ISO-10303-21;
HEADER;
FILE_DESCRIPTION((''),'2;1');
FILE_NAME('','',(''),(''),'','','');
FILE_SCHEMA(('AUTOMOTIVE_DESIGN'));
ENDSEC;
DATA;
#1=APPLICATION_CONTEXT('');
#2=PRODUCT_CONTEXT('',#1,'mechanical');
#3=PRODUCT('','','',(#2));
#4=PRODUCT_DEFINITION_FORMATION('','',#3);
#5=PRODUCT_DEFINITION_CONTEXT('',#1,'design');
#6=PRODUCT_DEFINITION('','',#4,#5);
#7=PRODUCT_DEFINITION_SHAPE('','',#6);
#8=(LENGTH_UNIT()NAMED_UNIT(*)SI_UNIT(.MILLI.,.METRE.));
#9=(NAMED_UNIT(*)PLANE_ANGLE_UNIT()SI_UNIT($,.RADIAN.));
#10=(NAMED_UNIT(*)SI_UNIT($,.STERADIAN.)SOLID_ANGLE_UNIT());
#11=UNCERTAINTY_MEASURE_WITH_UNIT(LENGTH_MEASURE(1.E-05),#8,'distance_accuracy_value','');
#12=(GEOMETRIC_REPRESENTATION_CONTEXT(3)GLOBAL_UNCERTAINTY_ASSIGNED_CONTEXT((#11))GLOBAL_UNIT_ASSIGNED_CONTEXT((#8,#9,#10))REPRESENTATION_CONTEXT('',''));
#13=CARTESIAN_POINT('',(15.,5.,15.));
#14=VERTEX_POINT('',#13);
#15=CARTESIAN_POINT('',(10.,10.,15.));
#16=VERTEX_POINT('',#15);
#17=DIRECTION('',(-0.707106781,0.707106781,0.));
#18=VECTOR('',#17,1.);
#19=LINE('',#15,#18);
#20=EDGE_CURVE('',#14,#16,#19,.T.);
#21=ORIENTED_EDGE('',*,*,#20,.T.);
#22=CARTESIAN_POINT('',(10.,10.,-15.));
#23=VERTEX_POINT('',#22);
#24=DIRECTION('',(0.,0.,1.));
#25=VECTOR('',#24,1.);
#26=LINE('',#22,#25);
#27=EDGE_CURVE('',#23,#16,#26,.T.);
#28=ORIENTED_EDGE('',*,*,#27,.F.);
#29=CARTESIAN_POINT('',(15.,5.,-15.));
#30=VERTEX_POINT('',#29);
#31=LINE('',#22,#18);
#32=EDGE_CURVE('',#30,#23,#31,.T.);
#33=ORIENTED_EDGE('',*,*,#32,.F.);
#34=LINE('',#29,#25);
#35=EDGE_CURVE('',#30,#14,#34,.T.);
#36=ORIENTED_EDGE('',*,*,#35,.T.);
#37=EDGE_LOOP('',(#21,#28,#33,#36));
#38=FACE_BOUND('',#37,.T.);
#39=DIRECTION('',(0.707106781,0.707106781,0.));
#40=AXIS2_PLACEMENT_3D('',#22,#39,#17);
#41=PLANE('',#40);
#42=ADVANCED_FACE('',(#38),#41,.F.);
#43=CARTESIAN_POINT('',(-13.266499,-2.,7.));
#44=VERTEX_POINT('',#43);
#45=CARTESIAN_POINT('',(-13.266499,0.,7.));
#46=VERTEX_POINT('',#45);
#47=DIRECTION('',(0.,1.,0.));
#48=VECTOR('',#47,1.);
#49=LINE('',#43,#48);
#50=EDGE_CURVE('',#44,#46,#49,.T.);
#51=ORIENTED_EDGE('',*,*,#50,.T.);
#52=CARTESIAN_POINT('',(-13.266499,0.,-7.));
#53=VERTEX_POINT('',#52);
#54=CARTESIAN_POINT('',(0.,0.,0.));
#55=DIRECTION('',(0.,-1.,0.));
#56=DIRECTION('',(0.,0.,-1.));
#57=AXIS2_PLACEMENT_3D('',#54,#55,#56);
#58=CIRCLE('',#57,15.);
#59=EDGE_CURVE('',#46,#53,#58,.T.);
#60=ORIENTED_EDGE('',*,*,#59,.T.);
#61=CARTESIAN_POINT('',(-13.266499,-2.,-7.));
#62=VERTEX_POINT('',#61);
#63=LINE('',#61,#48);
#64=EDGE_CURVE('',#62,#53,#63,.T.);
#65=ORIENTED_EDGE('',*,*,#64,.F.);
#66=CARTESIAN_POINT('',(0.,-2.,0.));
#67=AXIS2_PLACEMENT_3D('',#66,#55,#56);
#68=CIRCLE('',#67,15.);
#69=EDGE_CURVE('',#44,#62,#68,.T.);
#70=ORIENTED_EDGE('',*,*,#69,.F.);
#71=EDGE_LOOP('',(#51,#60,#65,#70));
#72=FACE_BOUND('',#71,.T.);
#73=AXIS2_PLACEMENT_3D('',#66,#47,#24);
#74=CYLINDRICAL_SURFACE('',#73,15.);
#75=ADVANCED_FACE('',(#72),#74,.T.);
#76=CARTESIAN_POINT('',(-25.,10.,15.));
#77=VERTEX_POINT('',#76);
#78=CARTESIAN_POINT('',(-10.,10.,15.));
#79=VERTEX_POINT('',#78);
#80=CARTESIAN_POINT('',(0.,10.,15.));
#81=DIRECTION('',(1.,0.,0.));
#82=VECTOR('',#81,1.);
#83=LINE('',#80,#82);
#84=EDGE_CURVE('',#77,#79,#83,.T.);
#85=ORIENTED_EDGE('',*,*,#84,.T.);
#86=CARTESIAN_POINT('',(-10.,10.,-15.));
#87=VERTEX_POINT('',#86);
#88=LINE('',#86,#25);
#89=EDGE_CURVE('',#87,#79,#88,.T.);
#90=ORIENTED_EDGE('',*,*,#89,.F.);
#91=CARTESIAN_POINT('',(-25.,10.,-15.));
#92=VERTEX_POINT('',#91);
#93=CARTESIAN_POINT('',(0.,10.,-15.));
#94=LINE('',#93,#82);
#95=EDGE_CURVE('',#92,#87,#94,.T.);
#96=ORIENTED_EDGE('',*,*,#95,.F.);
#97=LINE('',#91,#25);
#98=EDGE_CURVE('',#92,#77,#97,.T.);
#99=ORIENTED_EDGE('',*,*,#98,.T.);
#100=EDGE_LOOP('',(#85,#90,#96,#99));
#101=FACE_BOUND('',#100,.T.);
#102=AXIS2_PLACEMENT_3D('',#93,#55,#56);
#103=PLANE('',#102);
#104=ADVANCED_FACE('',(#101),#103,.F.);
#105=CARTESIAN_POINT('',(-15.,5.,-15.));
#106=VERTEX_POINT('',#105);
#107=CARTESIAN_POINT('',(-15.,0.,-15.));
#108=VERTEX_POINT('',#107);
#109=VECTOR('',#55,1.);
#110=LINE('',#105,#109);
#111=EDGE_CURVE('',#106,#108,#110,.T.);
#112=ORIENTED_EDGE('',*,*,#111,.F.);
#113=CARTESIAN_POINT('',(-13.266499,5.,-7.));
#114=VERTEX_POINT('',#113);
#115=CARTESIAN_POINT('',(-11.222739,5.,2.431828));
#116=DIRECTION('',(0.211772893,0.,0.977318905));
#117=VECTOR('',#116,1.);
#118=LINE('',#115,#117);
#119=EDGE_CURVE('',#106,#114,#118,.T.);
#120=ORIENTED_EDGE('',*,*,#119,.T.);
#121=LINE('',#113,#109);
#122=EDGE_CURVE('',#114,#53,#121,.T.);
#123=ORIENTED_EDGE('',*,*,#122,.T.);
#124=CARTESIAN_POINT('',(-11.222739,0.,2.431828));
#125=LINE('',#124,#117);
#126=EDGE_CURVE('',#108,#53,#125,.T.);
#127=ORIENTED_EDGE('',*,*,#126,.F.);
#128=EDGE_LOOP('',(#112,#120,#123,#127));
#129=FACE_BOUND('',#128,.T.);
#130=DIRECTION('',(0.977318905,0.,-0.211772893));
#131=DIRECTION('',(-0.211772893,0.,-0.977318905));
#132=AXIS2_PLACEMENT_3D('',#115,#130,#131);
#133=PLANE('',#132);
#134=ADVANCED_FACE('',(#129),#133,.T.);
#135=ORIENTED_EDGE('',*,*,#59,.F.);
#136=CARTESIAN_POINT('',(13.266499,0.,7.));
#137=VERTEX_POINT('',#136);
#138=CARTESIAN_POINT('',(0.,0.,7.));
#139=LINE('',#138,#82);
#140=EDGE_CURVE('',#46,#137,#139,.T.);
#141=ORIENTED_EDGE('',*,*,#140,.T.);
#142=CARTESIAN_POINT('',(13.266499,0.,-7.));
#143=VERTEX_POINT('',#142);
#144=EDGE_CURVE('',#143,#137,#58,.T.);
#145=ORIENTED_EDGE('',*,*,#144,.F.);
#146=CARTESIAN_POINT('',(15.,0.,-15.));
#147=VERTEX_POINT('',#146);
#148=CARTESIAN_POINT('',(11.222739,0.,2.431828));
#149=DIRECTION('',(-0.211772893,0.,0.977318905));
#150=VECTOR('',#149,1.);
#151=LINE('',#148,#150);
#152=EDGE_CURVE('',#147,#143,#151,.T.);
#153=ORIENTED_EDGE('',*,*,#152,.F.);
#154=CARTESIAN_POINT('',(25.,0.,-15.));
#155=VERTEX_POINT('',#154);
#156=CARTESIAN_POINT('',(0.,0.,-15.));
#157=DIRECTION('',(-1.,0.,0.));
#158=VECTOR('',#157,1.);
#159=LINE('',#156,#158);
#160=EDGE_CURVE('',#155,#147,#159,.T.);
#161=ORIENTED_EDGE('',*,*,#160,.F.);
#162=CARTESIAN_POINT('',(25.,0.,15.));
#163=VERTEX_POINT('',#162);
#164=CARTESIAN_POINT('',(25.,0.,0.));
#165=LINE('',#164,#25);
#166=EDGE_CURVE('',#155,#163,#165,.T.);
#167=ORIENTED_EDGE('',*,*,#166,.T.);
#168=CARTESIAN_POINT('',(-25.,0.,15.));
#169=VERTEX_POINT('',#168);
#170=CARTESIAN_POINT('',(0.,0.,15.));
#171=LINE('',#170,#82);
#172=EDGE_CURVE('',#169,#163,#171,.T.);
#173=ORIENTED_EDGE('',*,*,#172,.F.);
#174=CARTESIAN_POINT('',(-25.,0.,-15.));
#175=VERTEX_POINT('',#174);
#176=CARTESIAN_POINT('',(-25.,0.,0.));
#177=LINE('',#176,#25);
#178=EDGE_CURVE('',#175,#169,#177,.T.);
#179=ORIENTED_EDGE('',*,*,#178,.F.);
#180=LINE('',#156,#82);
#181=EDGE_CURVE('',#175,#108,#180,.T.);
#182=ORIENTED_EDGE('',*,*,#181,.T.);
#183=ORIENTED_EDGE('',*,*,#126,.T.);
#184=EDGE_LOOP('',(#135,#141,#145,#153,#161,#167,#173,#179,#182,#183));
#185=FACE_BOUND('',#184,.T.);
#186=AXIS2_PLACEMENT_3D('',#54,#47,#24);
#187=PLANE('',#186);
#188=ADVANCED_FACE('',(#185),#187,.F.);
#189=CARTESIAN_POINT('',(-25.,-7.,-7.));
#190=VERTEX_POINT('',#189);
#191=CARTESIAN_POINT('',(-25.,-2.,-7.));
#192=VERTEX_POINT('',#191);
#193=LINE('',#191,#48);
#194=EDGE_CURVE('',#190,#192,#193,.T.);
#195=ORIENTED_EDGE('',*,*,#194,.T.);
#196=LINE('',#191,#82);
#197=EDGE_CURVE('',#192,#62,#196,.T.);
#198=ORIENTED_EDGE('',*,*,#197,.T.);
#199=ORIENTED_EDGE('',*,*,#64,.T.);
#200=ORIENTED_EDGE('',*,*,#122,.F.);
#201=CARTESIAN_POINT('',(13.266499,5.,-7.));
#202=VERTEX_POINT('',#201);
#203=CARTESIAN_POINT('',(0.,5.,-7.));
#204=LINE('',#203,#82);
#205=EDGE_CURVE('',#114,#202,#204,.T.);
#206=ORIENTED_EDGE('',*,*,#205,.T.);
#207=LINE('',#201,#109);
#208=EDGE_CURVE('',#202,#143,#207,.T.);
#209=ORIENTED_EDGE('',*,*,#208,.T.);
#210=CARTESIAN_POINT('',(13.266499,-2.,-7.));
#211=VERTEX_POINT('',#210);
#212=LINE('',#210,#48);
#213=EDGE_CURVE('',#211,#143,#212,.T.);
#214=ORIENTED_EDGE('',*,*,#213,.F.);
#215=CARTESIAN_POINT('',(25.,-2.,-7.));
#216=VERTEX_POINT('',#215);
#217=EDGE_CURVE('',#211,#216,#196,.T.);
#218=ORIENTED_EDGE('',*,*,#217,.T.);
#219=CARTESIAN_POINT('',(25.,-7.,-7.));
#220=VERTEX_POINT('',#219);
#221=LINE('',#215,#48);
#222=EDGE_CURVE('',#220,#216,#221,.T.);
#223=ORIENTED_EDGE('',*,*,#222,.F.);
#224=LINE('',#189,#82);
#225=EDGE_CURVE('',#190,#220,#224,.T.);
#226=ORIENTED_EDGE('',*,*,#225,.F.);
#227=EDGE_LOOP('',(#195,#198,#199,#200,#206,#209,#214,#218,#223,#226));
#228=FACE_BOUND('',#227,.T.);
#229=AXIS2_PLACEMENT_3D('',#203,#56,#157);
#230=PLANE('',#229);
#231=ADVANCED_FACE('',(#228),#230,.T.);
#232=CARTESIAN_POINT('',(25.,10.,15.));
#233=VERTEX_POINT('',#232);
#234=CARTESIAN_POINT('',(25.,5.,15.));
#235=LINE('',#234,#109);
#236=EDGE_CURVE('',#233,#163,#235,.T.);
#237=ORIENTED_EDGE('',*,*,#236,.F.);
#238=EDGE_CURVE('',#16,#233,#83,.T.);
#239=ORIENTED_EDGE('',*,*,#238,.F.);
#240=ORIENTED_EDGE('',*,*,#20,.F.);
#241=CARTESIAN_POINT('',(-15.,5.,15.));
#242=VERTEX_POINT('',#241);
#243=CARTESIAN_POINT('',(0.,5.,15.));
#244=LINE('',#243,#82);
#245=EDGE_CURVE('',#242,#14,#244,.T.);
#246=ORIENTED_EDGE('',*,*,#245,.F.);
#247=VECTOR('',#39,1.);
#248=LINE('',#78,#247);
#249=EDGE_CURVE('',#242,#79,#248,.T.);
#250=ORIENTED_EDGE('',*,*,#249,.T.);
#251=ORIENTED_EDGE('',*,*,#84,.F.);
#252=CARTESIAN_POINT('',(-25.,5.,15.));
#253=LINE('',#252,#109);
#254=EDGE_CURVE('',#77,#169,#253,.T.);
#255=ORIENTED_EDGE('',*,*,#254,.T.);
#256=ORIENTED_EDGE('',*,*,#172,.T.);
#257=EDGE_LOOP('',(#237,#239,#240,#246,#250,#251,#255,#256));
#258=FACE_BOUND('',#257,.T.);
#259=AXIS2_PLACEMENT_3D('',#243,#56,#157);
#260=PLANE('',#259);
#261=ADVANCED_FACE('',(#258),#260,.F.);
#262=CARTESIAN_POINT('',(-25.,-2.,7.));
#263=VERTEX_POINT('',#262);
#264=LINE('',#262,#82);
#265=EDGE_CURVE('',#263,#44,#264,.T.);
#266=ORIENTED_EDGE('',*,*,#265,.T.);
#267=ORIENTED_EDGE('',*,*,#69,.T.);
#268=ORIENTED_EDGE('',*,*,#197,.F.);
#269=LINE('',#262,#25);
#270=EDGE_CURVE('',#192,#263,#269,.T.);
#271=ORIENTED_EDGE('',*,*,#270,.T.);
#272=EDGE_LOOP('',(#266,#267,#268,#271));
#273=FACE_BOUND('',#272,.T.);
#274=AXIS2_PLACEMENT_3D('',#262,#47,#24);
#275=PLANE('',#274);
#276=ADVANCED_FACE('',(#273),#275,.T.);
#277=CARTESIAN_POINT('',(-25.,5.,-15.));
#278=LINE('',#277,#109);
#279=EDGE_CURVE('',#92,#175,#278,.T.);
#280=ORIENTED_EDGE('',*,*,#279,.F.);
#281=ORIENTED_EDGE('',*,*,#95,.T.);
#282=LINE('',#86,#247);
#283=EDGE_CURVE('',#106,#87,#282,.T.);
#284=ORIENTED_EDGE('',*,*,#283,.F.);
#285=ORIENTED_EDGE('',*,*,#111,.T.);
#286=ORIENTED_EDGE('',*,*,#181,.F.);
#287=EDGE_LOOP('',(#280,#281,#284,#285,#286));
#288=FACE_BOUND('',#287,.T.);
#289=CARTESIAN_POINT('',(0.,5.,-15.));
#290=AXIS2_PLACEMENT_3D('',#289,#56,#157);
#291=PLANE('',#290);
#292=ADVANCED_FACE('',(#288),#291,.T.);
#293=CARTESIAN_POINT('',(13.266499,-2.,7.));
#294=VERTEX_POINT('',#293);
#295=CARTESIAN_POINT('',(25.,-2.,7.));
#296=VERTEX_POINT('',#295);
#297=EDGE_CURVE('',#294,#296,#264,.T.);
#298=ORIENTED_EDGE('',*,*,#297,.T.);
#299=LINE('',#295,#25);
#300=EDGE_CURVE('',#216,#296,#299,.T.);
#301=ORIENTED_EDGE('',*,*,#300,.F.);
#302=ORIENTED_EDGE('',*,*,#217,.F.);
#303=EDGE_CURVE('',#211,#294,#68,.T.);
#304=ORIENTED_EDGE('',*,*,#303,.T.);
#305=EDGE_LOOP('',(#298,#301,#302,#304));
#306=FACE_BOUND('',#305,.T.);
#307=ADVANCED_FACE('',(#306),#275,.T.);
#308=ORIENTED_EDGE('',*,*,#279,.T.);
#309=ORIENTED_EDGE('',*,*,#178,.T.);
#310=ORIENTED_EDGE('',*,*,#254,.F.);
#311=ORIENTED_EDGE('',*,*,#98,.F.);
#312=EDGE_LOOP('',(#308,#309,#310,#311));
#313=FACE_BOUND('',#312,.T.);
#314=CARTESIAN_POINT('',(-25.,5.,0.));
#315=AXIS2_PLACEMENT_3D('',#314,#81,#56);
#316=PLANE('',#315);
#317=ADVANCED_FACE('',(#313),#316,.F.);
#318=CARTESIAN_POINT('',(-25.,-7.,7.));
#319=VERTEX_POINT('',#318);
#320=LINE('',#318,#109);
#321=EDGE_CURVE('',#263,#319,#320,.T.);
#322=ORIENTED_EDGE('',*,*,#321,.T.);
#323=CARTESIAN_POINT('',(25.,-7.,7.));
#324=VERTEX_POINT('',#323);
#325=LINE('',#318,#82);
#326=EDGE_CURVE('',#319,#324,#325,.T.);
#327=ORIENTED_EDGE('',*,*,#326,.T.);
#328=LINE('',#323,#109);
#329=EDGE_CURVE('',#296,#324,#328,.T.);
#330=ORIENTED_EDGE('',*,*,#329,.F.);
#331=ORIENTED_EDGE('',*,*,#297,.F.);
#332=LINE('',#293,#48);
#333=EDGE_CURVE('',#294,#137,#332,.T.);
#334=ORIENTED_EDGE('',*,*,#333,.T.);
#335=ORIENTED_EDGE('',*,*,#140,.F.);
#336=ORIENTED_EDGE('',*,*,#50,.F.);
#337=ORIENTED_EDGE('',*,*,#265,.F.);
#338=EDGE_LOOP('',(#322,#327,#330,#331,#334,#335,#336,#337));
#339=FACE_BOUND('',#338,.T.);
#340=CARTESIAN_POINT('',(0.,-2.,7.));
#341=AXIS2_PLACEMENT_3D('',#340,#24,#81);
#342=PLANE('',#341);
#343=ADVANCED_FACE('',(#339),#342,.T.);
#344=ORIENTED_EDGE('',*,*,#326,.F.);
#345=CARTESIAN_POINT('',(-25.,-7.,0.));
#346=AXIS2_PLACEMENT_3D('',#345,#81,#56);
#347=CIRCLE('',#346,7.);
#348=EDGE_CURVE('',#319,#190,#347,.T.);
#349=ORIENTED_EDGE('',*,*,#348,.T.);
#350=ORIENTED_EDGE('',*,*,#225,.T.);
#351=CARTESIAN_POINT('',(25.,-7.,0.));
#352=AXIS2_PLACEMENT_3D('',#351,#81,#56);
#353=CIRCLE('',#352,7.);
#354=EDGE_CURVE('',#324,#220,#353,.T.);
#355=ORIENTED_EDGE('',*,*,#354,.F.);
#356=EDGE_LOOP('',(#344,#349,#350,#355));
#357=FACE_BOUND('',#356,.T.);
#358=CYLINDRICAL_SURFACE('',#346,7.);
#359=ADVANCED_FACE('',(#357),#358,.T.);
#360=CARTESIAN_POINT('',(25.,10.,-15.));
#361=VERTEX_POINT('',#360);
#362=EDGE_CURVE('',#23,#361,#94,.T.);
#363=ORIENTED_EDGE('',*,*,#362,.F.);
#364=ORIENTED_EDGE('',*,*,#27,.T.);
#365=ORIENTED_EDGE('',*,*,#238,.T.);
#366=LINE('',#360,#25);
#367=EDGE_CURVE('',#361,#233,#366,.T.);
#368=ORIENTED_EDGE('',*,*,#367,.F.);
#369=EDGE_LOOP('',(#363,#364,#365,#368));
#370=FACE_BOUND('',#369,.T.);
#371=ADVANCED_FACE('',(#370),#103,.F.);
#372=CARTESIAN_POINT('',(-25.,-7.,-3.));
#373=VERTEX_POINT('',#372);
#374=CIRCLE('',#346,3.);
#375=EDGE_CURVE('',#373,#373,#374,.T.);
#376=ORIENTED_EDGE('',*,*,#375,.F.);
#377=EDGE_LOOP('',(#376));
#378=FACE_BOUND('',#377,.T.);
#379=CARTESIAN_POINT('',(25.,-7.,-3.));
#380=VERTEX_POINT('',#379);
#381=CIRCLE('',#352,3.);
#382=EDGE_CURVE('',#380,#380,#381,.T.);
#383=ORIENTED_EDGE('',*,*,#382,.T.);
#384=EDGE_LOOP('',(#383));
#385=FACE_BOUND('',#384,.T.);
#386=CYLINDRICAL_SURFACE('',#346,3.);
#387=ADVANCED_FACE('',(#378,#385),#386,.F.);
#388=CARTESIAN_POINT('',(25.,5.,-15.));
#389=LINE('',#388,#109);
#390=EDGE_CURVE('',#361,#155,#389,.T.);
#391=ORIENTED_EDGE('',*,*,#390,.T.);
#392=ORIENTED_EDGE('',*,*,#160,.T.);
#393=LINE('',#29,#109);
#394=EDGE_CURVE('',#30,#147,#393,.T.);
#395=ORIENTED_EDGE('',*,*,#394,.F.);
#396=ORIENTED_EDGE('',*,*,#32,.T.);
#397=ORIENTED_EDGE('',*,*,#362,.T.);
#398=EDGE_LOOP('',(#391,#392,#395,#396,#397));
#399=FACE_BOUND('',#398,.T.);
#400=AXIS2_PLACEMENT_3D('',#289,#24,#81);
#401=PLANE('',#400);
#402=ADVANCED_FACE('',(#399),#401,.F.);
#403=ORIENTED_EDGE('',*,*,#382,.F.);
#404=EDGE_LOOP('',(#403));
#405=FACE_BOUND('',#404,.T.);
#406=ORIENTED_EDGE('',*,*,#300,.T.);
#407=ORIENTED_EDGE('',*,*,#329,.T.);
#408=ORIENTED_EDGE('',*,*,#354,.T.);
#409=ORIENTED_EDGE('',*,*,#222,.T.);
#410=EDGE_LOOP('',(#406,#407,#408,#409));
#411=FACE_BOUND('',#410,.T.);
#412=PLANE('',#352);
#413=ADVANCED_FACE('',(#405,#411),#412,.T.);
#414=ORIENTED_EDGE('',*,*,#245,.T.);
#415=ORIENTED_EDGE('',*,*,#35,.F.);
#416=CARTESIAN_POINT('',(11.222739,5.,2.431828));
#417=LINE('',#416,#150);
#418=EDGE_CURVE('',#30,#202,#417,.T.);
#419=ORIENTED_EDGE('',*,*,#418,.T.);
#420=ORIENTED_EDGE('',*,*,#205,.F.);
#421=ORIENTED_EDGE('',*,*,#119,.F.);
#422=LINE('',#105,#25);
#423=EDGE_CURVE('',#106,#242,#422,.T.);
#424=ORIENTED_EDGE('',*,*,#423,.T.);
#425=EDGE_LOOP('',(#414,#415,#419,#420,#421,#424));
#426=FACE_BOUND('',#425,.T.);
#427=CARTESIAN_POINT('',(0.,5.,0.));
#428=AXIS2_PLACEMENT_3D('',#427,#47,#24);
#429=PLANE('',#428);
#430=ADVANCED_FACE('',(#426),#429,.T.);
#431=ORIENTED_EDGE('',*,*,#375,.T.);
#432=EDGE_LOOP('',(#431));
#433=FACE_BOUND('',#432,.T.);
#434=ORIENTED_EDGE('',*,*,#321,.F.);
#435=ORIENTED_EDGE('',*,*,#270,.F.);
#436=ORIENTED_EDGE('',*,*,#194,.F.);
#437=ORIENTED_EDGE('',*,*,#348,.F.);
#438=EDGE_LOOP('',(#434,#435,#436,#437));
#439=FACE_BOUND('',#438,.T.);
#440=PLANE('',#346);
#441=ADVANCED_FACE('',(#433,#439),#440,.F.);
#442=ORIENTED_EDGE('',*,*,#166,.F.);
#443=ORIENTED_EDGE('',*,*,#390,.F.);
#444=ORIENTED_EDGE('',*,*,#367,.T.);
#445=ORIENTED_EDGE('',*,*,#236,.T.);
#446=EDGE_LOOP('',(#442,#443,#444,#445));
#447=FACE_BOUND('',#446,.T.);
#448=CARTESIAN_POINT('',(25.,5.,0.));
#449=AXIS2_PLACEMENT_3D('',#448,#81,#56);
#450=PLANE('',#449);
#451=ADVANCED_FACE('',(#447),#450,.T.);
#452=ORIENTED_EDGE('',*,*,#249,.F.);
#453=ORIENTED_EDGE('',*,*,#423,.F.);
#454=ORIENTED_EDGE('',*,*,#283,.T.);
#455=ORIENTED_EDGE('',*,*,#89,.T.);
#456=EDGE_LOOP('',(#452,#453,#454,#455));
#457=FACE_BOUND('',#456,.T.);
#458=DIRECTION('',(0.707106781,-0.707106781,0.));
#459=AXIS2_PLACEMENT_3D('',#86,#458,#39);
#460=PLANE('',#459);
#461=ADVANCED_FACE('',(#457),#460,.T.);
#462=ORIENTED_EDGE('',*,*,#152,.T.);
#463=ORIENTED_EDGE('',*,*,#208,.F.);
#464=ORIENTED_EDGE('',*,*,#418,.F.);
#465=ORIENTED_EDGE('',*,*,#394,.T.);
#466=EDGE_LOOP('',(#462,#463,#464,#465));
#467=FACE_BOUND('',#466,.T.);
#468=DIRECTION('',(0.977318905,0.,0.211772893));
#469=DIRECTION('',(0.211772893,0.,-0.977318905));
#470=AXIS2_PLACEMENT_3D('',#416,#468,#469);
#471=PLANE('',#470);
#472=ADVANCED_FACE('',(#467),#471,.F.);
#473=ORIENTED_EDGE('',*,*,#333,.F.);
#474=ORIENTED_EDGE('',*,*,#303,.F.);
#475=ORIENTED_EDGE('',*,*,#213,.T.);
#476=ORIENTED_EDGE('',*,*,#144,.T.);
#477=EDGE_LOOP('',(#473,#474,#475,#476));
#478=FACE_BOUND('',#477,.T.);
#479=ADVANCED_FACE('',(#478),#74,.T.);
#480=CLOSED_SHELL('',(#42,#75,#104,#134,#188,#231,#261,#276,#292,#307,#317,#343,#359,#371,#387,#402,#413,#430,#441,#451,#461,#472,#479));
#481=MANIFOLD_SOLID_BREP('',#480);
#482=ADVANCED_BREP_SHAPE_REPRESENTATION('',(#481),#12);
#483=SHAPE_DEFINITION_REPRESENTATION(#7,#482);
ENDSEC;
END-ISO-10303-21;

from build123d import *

# Parameters (mm, degrees)
BOSS_EXTRUDE1_DEPTH = 5
BOSS_EXTRUDE2_DEPTH = 2
BOSS_EXTRUDE7_DEPTH = 30
SKETCH11_R          = 3
BOSS_EXTRUDE8_DEPTH = 50


with BuildPart() as part:
    # Sketch1 → Boss-Extrude1 (new body)
    with BuildSketch(Plane(origin=(0, 0, 0), x_dir=(1, 0, 0), z_dir=(0, 1, 0))):
        Polygon((-15, 15), (-25, 15), (-25, -15), (25, -15), (25, 15), (15, 15), (13.266499161, 7), (-13.266499161, 7), align=None)
    extrude(amount=BOSS_EXTRUDE1_DEPTH)

    # Sketch4 → Boss-Extrude2 (add)
    with BuildSketch(Plane.XZ):
        with BuildLine():
            Line((13.266499161, 7), (-13.266499161, 7))
            ThreePointArc((-13.266499161, 7), (-15, 0), (-13.266499161, -7))
            Line((-13.266499161, -7), (13.266499161, -7))
            ThreePointArc((13.266499161, -7), (14.560176637, -3.605725487), (15, 0))
            ThreePointArc((15, 0), (14.560176637, 3.605725487), (13.266499161, 7))
        make_face()
    extrude(amount=BOSS_EXTRUDE2_DEPTH)

    # Sketch10 → Boss-Extrude7 (add)
    with BuildSketch(Plane.XY.offset(15)):
        Polygon((-10, 10), (-25, 10), (-25, 5), (-15, 5), align=None)
        Polygon((10, 10), (15, 5), (25, 5), (25, 10), align=None)
    extrude(amount=-BOSS_EXTRUDE7_DEPTH)

    # Sketch11 → Boss-Extrude8 (add)
    with BuildSketch(Plane(origin=(25, 0, 0), x_dir=(0, 0, -1), z_dir=(1, 0, 0))):
        with BuildLine():
            Line((-7, -7), (-7, -2))
            Line((-7, -2), (7, -2))
            Line((7, -2), (7, -7))
            ThreePointArc((7, -7), (0, -14), (-7, -7))
        make_face()
        with Locations((0, -7)):
            Circle(SKETCH11_R, mode=Mode.SUBTRACT)
    extrude(amount=-BOSS_EXTRUDE8_DEPTH)


solid = part.part
